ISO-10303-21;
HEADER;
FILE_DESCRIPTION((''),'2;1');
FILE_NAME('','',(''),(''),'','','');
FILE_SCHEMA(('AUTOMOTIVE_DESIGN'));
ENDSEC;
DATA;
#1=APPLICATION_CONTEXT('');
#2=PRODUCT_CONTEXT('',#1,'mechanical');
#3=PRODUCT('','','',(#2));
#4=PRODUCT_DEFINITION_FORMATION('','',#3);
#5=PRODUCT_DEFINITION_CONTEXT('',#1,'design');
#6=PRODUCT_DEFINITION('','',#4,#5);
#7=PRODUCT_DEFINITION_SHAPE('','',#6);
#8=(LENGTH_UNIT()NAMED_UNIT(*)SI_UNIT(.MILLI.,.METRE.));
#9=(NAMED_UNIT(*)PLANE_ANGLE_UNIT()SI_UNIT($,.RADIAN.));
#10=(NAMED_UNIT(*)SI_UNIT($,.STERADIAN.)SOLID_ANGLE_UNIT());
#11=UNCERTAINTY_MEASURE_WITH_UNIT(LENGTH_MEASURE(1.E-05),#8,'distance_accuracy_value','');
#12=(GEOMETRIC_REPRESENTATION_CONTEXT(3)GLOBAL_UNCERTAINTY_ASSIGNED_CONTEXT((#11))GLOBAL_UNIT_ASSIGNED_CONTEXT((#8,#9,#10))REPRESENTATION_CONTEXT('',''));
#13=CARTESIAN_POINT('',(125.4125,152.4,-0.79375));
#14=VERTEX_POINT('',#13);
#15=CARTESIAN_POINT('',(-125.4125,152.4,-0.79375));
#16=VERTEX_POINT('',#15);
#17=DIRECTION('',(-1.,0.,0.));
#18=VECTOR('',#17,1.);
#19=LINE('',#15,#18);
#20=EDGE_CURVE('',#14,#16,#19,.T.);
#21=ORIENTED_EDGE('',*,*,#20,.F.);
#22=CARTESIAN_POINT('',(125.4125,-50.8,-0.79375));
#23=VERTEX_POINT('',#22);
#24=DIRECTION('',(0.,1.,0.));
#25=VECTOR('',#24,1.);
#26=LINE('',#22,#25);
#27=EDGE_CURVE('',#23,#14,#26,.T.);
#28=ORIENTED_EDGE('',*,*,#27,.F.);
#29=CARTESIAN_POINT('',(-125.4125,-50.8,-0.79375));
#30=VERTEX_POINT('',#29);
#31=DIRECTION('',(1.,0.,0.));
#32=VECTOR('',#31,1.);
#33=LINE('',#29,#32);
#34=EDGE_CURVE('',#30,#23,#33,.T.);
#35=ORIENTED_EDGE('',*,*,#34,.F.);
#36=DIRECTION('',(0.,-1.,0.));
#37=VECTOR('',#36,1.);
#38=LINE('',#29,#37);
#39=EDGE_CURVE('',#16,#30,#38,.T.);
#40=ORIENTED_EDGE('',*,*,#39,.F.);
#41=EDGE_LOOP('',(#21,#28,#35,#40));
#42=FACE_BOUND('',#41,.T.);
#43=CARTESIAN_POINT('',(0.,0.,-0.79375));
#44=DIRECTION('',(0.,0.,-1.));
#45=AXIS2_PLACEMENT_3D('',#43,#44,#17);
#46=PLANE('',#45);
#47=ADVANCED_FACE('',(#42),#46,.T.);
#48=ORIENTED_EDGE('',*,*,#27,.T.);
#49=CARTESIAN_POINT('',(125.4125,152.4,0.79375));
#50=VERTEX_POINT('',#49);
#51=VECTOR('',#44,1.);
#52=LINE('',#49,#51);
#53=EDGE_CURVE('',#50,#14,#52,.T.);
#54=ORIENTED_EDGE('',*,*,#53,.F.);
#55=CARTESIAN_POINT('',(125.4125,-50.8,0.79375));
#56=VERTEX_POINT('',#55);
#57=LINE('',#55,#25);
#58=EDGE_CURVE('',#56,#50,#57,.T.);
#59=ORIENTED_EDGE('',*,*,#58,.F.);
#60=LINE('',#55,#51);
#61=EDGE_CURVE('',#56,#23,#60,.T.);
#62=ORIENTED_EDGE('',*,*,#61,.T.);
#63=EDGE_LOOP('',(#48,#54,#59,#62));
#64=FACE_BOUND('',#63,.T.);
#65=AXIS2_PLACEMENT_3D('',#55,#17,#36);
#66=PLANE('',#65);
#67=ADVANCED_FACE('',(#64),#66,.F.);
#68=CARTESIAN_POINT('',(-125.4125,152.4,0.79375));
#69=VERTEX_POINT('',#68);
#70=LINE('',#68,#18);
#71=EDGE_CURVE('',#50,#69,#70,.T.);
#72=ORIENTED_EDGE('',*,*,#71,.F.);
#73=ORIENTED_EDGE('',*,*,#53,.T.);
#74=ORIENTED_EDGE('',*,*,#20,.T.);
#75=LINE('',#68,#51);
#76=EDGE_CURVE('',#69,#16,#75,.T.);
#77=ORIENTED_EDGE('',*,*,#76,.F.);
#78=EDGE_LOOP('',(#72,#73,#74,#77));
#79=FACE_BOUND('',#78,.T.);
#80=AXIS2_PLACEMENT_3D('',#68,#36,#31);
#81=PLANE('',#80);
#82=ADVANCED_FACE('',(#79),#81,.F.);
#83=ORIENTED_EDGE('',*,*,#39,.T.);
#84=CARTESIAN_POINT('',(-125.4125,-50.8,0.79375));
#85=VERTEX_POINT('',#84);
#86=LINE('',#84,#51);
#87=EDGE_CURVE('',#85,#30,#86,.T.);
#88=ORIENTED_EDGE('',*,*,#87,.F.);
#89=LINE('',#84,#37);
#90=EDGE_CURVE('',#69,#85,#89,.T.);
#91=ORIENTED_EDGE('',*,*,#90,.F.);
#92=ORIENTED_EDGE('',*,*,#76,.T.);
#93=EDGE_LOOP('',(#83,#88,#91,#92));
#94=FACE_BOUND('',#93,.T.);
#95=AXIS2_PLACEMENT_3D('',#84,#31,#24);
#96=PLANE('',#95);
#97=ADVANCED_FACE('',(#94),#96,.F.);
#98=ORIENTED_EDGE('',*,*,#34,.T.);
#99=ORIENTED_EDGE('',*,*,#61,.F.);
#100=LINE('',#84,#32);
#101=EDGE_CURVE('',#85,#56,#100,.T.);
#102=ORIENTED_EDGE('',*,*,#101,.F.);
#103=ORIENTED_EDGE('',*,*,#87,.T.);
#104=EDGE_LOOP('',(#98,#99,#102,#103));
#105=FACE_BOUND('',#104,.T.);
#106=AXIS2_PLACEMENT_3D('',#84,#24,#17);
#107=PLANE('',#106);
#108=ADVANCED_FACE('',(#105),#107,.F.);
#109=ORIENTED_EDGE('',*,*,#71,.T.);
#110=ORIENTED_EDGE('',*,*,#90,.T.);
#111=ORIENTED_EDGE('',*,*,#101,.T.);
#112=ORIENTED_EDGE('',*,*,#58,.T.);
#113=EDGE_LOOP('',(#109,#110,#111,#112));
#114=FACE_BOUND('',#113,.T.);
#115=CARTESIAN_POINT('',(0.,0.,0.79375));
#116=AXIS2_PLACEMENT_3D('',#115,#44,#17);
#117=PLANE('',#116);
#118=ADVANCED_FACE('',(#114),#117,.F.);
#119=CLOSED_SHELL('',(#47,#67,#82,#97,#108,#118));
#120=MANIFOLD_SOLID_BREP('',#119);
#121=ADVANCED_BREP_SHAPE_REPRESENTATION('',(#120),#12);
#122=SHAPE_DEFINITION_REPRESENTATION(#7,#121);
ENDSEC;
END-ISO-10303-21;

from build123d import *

# Parameters (mm, degrees)
SKETCH1_W           = 250.825
SKETCH1_H           = 203.2
BOSS_EXTRUDE1_DEPTH = 0.79375


with BuildPart() as part:
    # Sketch1 → Boss-Extrude1 (new, symmetric)
    with BuildSketch(Plane.XY):
        with Locations((0, 50.8)):
            Rectangle(SKETCH1_W, SKETCH1_H)
    extrude(amount=BOSS_EXTRUDE1_DEPTH, both=True)


solid = part.part
